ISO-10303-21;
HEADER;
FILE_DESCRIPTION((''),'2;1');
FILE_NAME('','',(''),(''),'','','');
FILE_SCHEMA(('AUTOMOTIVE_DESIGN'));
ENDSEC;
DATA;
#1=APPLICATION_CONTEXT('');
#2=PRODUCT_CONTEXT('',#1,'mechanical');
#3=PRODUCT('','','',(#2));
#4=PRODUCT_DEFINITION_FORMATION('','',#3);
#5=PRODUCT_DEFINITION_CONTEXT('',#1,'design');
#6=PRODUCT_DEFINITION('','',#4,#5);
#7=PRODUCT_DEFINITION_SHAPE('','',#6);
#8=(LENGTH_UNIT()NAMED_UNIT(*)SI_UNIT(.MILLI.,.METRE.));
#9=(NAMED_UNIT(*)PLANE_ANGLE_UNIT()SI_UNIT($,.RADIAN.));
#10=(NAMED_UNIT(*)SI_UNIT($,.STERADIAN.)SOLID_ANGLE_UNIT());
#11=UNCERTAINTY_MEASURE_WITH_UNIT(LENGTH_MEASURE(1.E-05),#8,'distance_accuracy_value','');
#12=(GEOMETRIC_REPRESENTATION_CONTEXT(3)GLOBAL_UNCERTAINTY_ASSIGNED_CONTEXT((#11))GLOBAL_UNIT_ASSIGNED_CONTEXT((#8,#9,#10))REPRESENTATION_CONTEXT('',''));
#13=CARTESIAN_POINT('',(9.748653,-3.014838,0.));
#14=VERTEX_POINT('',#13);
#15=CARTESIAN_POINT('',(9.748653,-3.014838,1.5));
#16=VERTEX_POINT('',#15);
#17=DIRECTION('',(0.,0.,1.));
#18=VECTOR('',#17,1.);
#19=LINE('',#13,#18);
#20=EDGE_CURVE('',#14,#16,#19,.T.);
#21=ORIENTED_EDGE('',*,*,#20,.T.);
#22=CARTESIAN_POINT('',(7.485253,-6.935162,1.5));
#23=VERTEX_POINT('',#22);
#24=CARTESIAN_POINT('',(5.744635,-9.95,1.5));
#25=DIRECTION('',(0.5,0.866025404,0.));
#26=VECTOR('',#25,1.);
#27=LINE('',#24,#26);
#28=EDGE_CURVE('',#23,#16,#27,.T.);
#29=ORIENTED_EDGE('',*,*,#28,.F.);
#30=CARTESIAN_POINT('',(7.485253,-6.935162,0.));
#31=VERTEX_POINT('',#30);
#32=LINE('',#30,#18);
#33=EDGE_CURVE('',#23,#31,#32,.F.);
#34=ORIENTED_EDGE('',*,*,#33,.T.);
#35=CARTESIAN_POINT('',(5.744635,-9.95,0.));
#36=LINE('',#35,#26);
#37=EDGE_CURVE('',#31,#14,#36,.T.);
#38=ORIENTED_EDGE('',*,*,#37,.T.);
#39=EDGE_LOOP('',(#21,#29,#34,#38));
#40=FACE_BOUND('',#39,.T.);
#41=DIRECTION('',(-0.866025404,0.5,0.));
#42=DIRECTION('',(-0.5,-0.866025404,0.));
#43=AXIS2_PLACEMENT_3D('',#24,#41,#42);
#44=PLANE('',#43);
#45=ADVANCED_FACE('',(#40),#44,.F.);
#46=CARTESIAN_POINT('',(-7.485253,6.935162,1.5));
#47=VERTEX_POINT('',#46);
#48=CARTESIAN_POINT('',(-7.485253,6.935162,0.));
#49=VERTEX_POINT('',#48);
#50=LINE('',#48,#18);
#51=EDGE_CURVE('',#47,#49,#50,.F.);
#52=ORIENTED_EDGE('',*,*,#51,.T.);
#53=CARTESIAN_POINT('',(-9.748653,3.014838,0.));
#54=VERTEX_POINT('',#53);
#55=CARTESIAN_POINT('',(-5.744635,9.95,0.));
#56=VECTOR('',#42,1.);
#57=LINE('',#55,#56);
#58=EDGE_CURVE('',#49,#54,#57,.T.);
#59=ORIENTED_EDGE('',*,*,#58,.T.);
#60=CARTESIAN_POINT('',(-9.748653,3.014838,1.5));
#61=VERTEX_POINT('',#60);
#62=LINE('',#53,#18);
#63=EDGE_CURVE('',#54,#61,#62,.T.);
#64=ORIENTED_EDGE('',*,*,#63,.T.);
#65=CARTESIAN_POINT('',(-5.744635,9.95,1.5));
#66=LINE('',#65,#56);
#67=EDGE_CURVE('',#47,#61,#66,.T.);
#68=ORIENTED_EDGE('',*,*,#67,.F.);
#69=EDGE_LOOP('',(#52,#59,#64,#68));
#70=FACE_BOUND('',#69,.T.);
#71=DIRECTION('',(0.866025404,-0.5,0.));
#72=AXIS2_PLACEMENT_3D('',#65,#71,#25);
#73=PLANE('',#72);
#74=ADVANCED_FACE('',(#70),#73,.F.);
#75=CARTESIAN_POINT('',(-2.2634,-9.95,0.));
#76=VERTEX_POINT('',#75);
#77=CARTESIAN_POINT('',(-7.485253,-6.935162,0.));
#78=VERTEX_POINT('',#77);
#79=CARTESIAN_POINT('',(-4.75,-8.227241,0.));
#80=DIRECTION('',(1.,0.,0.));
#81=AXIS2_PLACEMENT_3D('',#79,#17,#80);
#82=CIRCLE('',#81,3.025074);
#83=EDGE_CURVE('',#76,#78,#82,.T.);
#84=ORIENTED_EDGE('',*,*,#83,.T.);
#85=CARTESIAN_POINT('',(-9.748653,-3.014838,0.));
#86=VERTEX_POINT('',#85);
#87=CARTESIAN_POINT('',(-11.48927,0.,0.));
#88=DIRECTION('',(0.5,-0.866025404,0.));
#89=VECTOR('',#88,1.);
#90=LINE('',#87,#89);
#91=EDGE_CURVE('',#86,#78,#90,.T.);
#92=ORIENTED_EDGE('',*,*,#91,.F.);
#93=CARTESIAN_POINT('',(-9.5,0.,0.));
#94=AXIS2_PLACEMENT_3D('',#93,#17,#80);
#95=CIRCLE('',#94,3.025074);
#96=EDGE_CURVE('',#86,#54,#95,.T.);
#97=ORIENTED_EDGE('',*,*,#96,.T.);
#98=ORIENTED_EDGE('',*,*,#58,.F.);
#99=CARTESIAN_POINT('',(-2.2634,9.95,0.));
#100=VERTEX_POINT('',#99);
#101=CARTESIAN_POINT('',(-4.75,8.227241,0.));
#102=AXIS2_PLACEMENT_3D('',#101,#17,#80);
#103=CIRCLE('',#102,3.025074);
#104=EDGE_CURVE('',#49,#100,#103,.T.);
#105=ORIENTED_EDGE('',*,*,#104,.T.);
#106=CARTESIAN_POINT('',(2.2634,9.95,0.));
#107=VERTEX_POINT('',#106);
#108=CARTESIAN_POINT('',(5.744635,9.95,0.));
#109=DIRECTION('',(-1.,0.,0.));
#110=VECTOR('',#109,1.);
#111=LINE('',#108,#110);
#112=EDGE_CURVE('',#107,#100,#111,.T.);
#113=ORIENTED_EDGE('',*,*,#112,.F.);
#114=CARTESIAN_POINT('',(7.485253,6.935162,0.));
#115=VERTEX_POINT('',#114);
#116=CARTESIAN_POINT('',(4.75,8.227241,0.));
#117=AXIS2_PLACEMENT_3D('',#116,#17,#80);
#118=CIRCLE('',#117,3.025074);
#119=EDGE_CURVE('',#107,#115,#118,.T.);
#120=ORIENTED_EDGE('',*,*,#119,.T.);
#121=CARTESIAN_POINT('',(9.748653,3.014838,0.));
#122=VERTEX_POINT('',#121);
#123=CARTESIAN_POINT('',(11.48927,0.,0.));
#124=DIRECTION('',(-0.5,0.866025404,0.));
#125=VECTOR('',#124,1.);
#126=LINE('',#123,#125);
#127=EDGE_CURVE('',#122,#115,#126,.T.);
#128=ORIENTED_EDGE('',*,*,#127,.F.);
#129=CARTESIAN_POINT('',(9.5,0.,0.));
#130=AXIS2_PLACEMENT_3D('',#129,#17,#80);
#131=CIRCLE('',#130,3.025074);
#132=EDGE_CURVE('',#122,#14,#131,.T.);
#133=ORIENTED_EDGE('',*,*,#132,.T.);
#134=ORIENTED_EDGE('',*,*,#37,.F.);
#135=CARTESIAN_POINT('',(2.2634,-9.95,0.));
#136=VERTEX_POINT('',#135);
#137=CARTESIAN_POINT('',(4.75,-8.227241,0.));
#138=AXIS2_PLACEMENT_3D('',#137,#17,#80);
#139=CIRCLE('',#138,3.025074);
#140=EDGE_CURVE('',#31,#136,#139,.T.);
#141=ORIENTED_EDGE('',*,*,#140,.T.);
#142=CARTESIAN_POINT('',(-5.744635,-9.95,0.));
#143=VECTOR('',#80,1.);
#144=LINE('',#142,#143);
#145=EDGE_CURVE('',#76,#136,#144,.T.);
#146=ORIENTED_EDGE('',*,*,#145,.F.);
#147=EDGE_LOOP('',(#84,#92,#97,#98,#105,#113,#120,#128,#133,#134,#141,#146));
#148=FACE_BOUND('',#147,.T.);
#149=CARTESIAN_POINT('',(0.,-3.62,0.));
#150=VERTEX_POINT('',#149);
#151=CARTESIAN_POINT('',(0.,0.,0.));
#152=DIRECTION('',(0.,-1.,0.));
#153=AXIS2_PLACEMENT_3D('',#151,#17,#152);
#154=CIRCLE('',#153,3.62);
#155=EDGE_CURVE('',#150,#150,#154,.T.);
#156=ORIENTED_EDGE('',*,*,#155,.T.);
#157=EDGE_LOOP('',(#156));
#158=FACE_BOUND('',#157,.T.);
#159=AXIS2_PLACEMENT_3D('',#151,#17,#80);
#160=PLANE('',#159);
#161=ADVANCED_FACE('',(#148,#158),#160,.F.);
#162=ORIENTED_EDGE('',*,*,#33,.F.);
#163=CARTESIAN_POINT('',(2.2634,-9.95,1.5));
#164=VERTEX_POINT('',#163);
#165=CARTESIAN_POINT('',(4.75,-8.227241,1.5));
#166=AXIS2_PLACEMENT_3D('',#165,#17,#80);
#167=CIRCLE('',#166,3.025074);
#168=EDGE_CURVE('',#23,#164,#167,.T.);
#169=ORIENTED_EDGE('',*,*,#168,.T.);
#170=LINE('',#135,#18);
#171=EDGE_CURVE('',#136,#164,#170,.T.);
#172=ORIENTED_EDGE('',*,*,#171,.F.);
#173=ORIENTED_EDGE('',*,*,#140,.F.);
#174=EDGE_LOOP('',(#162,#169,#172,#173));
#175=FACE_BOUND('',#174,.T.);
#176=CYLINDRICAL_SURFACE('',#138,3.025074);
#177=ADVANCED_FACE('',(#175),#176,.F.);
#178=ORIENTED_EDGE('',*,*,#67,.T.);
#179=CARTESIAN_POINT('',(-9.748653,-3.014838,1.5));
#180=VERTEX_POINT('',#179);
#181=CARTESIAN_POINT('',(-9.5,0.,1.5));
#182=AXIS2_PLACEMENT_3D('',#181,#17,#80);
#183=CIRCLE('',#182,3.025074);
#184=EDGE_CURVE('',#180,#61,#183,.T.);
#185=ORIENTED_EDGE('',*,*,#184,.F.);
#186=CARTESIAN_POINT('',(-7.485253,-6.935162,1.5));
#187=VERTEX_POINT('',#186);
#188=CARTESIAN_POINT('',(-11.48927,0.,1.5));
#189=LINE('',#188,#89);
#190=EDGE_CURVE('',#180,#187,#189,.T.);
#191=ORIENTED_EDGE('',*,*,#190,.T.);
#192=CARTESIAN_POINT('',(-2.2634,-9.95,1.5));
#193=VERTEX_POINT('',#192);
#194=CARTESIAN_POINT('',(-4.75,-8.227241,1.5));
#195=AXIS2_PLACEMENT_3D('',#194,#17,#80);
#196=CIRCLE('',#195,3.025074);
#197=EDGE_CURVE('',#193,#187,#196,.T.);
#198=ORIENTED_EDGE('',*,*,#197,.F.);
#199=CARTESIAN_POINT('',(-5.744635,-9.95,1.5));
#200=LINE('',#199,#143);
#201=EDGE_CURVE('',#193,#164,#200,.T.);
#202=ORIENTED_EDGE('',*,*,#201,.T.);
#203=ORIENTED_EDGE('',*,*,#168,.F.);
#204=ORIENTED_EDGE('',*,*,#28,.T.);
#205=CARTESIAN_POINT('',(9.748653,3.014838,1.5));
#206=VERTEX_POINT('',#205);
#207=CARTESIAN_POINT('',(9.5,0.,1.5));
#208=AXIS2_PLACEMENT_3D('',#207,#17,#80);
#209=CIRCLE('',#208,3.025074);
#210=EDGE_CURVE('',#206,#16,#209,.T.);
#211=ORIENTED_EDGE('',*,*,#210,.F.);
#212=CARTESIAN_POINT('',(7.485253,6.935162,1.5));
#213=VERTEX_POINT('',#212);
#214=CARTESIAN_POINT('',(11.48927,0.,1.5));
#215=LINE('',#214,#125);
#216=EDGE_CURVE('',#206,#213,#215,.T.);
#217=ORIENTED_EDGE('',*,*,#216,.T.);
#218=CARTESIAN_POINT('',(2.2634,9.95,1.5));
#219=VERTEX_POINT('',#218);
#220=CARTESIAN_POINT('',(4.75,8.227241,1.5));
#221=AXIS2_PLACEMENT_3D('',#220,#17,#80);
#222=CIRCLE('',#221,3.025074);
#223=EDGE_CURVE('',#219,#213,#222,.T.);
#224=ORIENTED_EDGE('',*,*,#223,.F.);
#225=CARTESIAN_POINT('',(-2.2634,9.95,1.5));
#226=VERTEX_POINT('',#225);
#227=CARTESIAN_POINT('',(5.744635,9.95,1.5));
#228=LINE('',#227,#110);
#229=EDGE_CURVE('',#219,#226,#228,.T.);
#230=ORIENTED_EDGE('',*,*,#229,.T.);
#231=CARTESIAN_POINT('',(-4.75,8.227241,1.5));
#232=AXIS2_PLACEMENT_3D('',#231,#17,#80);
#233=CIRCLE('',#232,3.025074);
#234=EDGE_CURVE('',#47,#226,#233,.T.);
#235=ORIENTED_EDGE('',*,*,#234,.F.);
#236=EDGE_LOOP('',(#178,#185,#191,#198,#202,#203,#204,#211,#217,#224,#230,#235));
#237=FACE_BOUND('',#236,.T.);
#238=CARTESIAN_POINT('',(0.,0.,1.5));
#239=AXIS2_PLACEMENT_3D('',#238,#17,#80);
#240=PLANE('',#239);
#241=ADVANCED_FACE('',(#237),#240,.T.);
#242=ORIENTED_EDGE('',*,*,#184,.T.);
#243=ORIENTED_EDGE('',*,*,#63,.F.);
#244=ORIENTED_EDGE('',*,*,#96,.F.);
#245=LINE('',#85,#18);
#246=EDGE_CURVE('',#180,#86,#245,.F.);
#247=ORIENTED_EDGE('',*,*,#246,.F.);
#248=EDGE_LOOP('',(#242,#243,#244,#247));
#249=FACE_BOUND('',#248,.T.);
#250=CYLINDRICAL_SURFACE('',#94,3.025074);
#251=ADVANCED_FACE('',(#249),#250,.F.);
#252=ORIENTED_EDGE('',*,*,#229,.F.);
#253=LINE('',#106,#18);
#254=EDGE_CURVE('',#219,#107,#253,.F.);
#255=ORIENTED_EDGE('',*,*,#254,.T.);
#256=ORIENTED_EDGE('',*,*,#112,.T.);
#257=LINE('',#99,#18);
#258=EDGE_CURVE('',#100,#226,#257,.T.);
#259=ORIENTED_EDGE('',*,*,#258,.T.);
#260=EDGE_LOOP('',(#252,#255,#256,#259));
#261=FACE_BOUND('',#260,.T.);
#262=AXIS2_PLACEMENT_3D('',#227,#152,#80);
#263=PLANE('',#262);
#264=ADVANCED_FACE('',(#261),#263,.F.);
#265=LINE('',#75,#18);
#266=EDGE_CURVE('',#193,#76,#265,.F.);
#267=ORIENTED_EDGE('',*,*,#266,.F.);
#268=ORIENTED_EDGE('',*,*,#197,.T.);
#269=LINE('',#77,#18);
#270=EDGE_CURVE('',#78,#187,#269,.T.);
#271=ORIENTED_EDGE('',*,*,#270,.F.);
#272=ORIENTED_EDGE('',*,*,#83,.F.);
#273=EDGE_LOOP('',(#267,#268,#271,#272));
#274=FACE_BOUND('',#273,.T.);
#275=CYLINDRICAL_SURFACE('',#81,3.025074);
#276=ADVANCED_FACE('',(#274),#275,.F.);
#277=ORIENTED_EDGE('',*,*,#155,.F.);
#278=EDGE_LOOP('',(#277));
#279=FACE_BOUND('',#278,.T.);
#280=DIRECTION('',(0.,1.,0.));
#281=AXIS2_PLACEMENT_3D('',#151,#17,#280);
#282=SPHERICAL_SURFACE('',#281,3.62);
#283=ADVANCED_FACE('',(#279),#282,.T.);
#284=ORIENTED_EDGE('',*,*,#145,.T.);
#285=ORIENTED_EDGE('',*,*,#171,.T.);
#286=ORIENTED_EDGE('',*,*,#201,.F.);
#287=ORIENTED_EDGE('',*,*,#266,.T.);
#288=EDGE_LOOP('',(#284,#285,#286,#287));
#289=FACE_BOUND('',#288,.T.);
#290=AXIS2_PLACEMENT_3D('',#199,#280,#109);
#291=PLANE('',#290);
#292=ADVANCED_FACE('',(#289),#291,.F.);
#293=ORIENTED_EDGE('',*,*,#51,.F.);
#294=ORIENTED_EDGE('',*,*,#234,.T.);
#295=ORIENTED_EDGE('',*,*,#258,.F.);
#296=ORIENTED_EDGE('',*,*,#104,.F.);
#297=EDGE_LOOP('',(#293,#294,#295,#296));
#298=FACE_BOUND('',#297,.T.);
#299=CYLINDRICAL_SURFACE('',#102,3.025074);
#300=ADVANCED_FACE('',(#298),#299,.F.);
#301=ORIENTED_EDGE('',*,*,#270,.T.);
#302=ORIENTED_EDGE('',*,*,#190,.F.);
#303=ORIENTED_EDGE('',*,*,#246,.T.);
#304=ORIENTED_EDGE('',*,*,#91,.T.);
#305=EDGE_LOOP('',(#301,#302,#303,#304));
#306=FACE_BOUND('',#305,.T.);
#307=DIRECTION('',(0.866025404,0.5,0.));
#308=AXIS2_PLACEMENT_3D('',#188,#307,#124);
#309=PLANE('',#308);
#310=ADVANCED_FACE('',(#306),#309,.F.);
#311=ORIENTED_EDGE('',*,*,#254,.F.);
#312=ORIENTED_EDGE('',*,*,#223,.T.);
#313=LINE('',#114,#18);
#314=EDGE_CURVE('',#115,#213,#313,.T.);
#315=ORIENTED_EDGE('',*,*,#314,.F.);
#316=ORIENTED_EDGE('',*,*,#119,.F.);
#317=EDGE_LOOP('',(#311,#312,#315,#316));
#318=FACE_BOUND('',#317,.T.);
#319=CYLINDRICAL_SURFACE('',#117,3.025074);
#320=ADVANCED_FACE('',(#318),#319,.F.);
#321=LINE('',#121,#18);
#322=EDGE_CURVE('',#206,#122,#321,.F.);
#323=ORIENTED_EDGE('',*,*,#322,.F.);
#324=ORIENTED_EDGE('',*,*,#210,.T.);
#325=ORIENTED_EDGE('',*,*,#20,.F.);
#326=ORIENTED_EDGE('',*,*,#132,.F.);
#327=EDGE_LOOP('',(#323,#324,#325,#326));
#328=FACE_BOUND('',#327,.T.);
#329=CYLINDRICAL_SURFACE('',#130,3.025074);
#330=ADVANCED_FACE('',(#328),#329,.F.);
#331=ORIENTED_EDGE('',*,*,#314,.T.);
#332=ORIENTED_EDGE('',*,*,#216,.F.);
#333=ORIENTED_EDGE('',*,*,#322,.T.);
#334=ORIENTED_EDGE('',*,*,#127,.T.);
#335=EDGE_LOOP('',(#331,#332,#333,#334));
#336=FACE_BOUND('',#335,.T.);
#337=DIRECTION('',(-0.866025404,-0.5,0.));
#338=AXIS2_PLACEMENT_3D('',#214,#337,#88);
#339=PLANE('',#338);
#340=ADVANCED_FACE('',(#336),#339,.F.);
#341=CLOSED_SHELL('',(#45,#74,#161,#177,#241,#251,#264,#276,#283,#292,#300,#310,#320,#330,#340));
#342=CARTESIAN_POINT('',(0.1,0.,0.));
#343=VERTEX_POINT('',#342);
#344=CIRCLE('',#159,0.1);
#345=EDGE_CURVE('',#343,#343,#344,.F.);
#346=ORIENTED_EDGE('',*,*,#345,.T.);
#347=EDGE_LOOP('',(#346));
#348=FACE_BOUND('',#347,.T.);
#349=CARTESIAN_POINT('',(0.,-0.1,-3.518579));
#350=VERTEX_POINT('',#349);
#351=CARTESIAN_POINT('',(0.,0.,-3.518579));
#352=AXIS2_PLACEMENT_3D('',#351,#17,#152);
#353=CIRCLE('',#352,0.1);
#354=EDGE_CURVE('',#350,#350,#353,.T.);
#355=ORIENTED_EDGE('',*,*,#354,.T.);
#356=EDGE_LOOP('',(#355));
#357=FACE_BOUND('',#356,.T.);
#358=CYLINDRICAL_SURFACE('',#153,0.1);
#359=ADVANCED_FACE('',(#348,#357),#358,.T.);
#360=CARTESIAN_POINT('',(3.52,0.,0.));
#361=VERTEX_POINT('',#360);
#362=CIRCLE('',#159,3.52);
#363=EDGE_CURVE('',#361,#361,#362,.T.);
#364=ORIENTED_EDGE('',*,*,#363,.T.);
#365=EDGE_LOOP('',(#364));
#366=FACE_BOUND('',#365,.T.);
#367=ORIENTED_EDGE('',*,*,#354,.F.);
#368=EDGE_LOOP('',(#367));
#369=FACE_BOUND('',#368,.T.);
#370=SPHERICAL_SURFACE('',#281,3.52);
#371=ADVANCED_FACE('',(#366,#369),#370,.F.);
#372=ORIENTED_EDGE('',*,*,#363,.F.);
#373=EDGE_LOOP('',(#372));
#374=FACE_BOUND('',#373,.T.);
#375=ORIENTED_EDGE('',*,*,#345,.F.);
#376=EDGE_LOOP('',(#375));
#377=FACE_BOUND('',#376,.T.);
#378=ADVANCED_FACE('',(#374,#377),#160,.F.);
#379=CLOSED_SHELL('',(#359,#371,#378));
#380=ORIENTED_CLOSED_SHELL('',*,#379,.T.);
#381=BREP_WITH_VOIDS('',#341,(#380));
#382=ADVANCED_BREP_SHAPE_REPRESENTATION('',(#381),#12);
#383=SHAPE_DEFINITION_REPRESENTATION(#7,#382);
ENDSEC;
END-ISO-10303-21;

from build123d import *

# Parameters (mm, degrees)
EXTRUDE_1_DEPTH     = 1.5
SKETCH_2_R          = 3.025074469
CUT_EXTRUDE_1_DEPTH = 16.272715323


with BuildPart() as part:
    # 草图1 → 凸台-拉伸1 (new body)
    with BuildSketch(Plane.XY):
        Polygon((11.489270357, 0), (5.744635178, 9.95), (-5.744635178, 9.95), (-11.489270357, 0), (-5.744635178, -9.95), (5.744635178, -9.95), align=None)
    extrude(amount=EXTRUDE_1_DEPTH)

    # 草图2 → 切除-拉伸1 (cut, through all)
    with BuildSketch(Plane.XY.offset(1.5)):
        with Locations((-9.5, 0)):
            Circle(SKETCH_2_R)
        with Locations((-4.75, 8.227241336)):
            Circle(SKETCH_2_R)
        with Locations((4.75, 8.227241336)):
            Circle(SKETCH_2_R)
        with Locations((9.5, 0)):
            Circle(SKETCH_2_R)
        with Locations((4.75, -8.227241336)):
            Circle(SKETCH_2_R)
        with Locations((-4.75, -8.227241336)):
            Circle(SKETCH_2_R)
    extrude(amount=-CUT_EXTRUDE_1_DEPTH, mode=Mode.SUBTRACT)

    # 草图4 → 旋转-薄壁2 (revolve)
    with BuildSketch(Plane(origin=(0, 0, 0), x_dir=(0, 0, -1), z_dir=(1, 0, 0)), mode=Mode.PRIVATE) as revolve_2_sk:
        with BuildLine():
            Line((0, 0), (3.62, 0))
            ThreePointArc((3.62, 0), (2.559726548, 2.559726548), (0, 3.62))
            Line((0, 3.62), (0, 3.52))
            ThreePointArc((0, 3.52), (2.453405796, 2.52412361), (3.518579259, 0.1))
            Line((3.518579259, 0.1), (0, 0.1))
            Line((0, 0.1), (0, 0))
        make_face()
    revolve(revolve_2_sk.sketch.rotate(Axis((0, 0, 0), (0, 0, -1)), 90), axis=Axis((0, 0, 0), (0, 0, -1)))


solid = part.part
